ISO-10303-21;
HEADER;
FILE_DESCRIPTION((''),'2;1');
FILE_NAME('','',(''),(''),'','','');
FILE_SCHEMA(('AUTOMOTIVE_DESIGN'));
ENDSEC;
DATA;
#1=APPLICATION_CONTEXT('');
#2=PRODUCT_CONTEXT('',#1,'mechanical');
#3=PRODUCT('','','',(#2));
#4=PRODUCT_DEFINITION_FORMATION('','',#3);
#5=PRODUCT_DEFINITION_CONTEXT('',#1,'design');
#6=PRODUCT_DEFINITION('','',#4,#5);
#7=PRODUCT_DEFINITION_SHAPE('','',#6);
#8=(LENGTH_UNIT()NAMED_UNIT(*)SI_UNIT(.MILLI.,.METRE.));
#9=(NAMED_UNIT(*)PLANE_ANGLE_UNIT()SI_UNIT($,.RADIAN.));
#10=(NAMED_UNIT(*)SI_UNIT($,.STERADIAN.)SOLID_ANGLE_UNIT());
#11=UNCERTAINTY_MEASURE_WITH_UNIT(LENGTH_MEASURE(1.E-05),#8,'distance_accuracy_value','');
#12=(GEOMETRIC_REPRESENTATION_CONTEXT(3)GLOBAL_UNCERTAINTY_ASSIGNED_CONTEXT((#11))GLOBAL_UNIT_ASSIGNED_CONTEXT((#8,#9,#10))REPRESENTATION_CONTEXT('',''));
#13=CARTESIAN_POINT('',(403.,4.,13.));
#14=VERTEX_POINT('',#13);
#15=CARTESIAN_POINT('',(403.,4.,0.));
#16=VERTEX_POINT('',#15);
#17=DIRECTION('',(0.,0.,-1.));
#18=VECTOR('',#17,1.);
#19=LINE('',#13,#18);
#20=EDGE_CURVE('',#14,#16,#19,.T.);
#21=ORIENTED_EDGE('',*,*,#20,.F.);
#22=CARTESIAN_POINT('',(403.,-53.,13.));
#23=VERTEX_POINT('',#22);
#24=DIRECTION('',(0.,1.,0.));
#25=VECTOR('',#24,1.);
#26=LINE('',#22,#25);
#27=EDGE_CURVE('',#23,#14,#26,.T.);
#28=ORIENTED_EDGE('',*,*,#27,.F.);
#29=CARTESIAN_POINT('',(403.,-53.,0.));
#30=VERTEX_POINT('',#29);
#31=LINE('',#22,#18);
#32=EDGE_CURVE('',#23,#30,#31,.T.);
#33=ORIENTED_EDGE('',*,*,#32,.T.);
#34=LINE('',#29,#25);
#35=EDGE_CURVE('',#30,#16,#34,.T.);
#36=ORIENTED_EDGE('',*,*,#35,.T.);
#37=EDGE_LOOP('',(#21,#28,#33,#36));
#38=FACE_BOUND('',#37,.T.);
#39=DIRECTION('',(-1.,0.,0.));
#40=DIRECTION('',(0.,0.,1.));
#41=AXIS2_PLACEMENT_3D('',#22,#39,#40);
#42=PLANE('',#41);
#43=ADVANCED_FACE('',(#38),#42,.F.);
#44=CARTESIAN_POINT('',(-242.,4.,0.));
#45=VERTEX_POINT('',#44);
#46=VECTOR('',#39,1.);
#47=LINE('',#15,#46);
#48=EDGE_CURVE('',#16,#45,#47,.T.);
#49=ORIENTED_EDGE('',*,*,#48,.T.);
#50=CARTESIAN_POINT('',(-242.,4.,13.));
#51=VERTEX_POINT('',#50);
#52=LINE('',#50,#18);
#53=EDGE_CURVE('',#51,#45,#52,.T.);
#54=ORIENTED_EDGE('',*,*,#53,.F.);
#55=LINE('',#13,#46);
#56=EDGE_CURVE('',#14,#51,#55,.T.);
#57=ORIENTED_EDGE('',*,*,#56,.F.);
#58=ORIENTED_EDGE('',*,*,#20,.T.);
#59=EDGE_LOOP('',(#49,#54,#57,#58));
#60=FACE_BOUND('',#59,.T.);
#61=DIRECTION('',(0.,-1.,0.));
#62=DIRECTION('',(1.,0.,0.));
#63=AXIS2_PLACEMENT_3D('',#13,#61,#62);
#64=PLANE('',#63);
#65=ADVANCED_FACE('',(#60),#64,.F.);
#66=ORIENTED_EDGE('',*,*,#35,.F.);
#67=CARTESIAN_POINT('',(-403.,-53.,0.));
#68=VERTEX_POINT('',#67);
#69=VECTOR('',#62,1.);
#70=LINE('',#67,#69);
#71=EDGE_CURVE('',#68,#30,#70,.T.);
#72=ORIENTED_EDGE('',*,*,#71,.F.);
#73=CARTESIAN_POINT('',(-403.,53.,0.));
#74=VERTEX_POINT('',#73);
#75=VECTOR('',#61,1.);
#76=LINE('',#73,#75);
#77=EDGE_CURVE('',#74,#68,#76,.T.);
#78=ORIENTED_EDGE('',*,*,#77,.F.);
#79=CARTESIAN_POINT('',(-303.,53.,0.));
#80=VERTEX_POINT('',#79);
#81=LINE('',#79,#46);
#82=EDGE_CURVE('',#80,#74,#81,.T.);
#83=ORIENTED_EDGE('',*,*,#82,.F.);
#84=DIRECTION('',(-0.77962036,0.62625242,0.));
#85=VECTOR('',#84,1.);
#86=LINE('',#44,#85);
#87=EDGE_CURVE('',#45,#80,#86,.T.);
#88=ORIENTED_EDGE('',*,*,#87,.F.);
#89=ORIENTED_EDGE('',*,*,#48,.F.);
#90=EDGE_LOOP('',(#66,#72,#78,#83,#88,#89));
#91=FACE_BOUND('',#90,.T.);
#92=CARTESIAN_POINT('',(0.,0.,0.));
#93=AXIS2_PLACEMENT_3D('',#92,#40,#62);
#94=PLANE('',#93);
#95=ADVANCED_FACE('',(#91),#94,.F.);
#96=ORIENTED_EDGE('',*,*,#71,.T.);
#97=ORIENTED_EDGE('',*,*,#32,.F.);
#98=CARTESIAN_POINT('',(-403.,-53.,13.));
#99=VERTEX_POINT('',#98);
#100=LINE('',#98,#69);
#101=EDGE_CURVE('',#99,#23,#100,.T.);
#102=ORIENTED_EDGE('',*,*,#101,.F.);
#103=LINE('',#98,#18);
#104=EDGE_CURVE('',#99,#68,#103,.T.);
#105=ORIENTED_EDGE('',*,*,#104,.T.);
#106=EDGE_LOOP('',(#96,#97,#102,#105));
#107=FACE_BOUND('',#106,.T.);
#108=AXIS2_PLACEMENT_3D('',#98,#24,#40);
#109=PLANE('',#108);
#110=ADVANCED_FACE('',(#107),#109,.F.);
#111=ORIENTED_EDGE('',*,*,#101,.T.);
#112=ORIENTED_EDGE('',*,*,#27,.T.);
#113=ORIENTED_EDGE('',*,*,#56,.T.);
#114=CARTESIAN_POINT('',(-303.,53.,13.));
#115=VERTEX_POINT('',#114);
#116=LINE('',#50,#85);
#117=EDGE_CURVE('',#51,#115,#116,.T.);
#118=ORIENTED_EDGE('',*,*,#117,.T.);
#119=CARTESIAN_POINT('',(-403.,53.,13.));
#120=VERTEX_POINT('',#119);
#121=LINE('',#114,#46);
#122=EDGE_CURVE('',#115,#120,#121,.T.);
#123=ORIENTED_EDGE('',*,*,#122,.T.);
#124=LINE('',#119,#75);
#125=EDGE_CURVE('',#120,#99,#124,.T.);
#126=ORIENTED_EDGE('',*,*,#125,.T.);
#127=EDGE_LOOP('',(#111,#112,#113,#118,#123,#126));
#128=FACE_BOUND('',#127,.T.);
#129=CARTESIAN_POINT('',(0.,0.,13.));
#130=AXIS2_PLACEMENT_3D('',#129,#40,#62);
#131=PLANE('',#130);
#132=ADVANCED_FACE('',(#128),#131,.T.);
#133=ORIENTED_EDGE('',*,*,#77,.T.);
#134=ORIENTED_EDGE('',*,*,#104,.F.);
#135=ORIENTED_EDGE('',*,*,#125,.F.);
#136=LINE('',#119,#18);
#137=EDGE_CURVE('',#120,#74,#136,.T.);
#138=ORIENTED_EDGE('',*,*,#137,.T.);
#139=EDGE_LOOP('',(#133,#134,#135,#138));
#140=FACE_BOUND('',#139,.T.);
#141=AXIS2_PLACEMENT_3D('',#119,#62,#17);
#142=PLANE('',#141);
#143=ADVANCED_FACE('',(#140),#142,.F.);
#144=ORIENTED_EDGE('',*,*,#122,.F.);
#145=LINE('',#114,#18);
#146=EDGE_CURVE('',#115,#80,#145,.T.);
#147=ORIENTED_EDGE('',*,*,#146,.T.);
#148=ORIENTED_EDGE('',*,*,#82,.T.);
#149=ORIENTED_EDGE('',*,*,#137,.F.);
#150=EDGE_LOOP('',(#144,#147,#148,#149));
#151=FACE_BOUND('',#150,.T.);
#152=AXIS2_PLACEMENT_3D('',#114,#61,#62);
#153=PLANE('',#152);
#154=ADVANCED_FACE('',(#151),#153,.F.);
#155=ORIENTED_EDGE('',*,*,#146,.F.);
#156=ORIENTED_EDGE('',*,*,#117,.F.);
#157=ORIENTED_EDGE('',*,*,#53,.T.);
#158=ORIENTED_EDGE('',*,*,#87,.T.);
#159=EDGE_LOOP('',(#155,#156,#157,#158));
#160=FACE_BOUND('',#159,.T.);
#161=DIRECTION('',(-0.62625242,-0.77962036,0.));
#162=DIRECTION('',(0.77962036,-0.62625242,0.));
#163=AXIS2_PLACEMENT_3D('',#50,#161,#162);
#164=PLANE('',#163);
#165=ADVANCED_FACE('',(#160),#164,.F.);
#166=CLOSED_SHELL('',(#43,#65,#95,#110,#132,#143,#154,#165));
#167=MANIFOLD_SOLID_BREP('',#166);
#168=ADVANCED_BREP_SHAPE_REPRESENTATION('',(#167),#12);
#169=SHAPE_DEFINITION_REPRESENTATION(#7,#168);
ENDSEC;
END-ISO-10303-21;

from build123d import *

# Parameters (mm, degrees)
SALIENTE_EXTRUIR1_DEPTH = 13


with BuildPart() as part:
    # Croquis1 → Saliente-Extruir1 (new body)
    with BuildSketch(Plane.XY):
        Polygon((-403, 53), (-403, -53), (403, -53), (403, 4), (-242, 4), (-303, 53), align=None)
    extrude(amount=SALIENTE_EXTRUIR1_DEPTH)


solid = part.part
